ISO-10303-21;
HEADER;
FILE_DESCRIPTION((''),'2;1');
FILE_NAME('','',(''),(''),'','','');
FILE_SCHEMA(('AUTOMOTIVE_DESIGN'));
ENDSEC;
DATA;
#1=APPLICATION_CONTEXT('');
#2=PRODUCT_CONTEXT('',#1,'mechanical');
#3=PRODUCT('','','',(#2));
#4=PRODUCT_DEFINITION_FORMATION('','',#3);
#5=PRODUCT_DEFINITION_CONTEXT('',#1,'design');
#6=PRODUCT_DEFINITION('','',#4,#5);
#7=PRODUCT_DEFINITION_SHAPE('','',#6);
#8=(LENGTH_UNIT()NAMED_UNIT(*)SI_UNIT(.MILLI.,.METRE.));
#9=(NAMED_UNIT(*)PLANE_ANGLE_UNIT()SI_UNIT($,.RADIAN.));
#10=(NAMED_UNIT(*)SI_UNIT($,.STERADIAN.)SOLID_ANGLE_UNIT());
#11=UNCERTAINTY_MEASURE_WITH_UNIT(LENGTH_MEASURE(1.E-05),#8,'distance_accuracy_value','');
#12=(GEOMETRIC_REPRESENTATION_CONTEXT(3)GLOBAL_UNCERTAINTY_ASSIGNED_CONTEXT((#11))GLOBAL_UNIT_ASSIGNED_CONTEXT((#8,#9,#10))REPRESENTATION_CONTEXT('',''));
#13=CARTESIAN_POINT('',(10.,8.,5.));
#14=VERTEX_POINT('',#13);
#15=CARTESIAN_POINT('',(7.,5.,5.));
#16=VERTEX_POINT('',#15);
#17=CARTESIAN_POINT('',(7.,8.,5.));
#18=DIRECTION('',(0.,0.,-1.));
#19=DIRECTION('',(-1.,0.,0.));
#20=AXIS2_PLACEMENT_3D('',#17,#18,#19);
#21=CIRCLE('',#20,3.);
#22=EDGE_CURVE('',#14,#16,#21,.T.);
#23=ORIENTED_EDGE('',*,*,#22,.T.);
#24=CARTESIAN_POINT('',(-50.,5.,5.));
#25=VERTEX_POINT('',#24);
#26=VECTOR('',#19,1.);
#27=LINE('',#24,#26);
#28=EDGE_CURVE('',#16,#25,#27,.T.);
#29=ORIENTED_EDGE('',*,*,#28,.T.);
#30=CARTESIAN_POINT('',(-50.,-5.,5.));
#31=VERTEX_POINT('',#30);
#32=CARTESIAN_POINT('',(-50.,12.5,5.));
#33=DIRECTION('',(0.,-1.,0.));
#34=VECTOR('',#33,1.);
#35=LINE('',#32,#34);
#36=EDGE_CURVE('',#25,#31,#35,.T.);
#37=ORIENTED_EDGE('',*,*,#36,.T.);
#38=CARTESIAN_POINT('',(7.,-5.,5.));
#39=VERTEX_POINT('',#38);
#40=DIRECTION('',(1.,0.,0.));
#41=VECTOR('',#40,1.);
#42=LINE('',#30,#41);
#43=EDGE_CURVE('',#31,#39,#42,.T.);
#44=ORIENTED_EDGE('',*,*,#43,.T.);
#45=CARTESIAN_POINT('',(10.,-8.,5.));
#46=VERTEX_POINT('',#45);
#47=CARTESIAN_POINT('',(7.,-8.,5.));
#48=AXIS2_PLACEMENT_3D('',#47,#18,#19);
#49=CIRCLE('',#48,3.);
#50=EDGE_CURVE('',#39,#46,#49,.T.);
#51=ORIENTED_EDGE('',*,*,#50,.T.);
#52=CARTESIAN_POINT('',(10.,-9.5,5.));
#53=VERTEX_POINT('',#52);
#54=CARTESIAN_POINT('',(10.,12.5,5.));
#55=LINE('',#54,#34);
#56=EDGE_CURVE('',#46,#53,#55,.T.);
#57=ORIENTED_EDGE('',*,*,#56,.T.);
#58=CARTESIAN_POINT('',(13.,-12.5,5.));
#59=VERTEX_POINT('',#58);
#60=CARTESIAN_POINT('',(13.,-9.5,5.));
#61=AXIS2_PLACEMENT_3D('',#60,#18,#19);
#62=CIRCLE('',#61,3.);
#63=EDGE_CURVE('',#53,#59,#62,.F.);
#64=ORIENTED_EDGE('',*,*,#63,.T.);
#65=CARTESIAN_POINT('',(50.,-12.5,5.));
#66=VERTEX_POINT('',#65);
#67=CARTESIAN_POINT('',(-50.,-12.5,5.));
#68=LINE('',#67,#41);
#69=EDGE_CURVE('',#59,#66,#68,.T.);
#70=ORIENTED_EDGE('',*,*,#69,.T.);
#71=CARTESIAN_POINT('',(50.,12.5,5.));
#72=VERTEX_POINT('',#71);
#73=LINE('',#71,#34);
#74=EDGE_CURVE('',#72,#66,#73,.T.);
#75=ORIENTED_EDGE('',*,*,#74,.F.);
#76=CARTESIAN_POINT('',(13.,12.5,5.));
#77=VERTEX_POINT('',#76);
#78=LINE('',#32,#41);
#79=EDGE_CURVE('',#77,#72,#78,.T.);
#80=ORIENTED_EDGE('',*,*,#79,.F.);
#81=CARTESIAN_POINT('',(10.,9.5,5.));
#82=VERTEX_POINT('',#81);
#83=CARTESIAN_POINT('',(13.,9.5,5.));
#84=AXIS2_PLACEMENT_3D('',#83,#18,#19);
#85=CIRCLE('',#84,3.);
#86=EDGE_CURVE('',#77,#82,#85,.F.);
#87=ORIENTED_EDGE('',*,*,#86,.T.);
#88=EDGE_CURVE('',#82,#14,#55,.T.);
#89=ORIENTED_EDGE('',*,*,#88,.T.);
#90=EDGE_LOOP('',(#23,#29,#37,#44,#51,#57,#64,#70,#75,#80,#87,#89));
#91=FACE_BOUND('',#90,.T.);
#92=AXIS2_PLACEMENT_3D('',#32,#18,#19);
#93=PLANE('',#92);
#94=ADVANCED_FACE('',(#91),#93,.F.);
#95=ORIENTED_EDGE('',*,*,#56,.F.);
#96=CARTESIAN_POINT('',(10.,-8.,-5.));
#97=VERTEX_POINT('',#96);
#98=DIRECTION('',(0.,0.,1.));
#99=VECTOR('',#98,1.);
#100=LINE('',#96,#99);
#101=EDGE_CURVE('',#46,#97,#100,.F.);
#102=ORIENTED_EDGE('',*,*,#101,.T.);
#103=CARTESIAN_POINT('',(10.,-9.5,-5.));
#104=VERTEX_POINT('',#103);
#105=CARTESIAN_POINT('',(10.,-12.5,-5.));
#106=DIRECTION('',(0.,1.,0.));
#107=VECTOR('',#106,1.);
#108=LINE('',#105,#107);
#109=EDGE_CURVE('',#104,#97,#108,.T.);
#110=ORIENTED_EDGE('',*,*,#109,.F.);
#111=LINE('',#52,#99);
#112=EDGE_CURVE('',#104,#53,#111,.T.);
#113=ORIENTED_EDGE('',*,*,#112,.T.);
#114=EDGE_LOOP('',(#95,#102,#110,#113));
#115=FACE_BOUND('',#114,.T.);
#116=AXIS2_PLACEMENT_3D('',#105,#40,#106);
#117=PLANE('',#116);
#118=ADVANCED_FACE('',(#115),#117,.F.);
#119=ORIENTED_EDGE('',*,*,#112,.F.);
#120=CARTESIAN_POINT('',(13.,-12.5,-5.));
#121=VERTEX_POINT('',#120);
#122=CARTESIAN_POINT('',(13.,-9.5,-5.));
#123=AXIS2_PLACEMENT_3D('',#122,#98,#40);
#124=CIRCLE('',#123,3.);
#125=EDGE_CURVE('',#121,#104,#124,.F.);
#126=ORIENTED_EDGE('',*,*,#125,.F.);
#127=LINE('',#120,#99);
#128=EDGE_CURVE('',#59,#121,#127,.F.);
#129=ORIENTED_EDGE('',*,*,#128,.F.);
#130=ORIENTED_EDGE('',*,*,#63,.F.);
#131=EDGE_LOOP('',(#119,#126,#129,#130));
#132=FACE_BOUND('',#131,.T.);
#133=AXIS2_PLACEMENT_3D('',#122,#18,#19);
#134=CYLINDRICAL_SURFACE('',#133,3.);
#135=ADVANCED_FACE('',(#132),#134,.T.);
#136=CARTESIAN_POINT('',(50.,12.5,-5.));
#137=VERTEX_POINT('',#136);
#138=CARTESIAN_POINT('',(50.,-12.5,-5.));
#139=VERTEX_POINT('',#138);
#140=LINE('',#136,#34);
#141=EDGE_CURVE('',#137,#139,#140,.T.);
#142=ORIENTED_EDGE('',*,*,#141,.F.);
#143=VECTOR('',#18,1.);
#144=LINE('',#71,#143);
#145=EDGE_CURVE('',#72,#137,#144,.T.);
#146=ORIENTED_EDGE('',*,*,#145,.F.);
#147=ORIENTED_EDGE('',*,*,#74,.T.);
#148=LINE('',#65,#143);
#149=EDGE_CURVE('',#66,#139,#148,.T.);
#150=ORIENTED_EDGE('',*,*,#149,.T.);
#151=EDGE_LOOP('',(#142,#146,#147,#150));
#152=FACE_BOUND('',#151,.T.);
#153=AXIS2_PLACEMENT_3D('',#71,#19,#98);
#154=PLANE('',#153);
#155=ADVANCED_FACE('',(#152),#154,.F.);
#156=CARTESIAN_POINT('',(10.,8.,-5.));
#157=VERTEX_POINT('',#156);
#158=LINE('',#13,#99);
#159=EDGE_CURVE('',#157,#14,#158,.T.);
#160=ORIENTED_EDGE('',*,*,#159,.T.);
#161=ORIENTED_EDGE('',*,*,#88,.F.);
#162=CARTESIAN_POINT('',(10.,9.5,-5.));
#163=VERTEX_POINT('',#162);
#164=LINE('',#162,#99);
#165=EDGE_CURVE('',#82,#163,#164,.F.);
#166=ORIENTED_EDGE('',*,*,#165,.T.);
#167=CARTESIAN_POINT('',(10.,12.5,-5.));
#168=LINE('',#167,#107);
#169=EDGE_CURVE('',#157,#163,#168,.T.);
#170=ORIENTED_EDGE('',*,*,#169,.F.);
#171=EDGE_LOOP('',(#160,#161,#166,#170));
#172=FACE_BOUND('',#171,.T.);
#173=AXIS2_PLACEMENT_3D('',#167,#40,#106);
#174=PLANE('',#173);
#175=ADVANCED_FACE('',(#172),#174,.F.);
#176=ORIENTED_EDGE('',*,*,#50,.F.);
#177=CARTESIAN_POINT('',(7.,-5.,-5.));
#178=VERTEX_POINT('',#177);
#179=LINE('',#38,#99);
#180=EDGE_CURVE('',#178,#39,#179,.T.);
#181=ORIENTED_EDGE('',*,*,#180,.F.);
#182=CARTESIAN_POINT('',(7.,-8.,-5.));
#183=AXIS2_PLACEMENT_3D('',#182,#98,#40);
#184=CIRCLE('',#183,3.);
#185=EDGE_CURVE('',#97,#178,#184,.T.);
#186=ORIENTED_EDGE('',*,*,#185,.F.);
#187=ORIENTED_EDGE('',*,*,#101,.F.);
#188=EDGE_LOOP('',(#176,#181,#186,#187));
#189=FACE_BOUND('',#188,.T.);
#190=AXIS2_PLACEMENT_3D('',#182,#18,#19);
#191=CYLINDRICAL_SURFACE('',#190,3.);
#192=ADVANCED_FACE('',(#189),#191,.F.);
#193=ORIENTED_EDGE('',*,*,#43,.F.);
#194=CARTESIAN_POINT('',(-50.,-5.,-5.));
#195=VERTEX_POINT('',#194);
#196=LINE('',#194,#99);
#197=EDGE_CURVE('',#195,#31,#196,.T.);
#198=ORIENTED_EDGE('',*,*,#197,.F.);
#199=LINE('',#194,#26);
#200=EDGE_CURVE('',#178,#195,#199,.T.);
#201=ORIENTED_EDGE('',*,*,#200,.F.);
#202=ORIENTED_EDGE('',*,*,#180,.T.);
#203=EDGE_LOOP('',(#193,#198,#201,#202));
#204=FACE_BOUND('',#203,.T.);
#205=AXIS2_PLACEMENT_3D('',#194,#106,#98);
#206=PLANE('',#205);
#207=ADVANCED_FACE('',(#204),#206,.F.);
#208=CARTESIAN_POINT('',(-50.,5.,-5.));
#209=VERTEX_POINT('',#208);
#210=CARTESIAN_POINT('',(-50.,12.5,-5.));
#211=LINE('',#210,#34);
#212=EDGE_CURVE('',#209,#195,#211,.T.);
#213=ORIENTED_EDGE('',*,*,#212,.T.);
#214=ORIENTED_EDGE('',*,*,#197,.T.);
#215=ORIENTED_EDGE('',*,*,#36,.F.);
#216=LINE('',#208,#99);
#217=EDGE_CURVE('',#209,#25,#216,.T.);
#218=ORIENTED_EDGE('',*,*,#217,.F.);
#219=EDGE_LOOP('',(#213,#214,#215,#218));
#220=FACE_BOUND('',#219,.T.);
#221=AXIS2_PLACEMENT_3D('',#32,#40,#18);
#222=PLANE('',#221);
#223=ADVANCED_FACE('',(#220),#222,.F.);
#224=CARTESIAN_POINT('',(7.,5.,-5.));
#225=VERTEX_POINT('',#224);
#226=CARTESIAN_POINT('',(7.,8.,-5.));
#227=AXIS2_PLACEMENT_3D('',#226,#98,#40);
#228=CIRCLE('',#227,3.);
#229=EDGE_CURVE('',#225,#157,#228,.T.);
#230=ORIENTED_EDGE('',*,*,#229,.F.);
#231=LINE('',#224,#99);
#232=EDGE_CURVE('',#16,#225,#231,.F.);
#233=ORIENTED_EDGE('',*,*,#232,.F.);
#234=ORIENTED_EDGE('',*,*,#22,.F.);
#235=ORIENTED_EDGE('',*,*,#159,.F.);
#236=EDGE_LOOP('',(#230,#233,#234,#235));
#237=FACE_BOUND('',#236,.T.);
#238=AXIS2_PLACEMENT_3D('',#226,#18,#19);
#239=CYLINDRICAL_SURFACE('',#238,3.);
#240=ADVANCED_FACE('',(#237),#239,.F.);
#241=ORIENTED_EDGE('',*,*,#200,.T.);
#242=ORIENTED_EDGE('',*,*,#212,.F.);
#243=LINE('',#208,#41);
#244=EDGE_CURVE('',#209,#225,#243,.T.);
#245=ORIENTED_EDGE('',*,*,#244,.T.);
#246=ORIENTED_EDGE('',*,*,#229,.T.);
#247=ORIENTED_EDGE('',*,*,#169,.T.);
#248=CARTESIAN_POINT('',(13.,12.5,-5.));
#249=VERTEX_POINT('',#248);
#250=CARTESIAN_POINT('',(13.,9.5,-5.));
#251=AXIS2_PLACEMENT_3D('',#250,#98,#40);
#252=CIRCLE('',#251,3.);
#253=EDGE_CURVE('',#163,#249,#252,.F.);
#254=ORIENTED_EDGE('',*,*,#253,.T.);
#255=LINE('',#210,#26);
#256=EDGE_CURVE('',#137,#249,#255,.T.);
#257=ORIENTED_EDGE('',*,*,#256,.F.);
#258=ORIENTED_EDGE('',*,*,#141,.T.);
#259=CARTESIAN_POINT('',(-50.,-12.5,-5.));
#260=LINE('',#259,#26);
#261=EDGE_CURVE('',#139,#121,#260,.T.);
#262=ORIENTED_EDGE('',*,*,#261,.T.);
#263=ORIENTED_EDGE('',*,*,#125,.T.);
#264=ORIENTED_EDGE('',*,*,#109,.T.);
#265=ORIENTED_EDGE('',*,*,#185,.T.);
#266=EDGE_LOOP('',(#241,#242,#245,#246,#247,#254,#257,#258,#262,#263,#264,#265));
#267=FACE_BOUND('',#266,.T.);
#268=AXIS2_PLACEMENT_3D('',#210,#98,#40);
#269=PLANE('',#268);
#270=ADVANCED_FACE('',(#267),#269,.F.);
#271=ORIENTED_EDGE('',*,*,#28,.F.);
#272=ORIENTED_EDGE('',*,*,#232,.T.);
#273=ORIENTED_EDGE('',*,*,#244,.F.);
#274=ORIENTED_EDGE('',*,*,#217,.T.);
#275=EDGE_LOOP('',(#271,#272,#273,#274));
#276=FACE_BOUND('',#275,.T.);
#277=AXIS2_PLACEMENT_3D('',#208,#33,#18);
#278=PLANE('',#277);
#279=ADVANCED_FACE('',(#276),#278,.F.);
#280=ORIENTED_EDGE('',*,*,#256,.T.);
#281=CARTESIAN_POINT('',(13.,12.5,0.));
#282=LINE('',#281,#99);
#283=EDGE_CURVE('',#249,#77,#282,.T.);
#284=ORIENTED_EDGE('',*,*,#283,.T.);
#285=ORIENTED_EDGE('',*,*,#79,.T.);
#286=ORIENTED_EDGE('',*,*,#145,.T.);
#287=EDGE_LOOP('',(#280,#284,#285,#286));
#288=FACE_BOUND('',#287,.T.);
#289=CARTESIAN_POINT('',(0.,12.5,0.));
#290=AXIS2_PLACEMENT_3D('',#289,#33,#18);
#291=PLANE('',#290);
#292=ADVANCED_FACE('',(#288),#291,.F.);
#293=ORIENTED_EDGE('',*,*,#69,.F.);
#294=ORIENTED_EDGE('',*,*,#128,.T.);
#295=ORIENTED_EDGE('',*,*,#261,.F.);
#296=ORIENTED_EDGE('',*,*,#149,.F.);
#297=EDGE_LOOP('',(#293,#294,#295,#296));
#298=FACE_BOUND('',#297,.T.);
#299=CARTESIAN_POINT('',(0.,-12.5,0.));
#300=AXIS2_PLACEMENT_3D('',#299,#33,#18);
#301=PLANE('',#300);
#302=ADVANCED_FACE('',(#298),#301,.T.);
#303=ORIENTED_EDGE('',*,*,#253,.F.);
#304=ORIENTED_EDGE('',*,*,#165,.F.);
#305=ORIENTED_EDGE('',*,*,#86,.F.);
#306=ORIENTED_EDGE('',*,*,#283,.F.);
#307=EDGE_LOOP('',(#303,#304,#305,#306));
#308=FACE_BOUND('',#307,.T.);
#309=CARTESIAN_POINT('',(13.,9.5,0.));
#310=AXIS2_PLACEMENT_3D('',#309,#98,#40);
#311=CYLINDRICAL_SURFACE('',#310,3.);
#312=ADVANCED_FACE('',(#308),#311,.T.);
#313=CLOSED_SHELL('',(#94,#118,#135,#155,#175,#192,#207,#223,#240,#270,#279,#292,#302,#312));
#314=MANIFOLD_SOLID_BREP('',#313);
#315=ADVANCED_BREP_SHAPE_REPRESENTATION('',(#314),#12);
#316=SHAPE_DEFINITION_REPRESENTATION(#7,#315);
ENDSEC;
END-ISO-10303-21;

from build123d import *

# Parameters (mm, degrees)
SKETCH2_W               = 100
SKETCH2_H               = 10
BOSS_EXTRUDE2_DEPTH     = 12.5
CUT_EXTRUDE3_DEPTH      = 53.5
CUT_EXTRUDE3_DEPTH_BACK = 53.5
SKETCH6_W               = 60
SKETCH6_H               = 7.5
FILLET2_R               = 3


with BuildPart() as part:
    # Sketch2 → Boss-Extrude2 (new, symmetric)
    with BuildSketch(Plane(origin=(0, 0, 0), x_dir=(1, 0, 0), z_dir=(0, 1, 0))):
        Rectangle(SKETCH2_W, SKETCH2_H)
    extrude(amount=BOSS_EXTRUDE2_DEPTH, both=True)

    # Sketch6 → Cut-Extrude3 (cut, two sides: drawn at the far end of the back side and taken through both)
    with BuildSketch(Plane.XY.offset(5).offset(-CUT_EXTRUDE3_DEPTH_BACK)):
        with Locations((-20, 8.75)):
            Rectangle(SKETCH6_W, SKETCH6_H)
        with Locations((-20, -8.75)):
            Rectangle(SKETCH6_W, SKETCH6_H)
    extrude(amount=CUT_EXTRUDE3_DEPTH + CUT_EXTRUDE3_DEPTH_BACK, mode=Mode.SUBTRACT)

    # Fillet2
    fillet2_edges = [part.edges().sort_by_distance(p)[0] for p in [
        (10, 5, 0),
        (10, 12.5, 0),
        (10, -12.5, 0),
        (10, -5, 0),
    ]]
    fillet(fillet2_edges, radius=FILLET2_R)


solid = part.part
